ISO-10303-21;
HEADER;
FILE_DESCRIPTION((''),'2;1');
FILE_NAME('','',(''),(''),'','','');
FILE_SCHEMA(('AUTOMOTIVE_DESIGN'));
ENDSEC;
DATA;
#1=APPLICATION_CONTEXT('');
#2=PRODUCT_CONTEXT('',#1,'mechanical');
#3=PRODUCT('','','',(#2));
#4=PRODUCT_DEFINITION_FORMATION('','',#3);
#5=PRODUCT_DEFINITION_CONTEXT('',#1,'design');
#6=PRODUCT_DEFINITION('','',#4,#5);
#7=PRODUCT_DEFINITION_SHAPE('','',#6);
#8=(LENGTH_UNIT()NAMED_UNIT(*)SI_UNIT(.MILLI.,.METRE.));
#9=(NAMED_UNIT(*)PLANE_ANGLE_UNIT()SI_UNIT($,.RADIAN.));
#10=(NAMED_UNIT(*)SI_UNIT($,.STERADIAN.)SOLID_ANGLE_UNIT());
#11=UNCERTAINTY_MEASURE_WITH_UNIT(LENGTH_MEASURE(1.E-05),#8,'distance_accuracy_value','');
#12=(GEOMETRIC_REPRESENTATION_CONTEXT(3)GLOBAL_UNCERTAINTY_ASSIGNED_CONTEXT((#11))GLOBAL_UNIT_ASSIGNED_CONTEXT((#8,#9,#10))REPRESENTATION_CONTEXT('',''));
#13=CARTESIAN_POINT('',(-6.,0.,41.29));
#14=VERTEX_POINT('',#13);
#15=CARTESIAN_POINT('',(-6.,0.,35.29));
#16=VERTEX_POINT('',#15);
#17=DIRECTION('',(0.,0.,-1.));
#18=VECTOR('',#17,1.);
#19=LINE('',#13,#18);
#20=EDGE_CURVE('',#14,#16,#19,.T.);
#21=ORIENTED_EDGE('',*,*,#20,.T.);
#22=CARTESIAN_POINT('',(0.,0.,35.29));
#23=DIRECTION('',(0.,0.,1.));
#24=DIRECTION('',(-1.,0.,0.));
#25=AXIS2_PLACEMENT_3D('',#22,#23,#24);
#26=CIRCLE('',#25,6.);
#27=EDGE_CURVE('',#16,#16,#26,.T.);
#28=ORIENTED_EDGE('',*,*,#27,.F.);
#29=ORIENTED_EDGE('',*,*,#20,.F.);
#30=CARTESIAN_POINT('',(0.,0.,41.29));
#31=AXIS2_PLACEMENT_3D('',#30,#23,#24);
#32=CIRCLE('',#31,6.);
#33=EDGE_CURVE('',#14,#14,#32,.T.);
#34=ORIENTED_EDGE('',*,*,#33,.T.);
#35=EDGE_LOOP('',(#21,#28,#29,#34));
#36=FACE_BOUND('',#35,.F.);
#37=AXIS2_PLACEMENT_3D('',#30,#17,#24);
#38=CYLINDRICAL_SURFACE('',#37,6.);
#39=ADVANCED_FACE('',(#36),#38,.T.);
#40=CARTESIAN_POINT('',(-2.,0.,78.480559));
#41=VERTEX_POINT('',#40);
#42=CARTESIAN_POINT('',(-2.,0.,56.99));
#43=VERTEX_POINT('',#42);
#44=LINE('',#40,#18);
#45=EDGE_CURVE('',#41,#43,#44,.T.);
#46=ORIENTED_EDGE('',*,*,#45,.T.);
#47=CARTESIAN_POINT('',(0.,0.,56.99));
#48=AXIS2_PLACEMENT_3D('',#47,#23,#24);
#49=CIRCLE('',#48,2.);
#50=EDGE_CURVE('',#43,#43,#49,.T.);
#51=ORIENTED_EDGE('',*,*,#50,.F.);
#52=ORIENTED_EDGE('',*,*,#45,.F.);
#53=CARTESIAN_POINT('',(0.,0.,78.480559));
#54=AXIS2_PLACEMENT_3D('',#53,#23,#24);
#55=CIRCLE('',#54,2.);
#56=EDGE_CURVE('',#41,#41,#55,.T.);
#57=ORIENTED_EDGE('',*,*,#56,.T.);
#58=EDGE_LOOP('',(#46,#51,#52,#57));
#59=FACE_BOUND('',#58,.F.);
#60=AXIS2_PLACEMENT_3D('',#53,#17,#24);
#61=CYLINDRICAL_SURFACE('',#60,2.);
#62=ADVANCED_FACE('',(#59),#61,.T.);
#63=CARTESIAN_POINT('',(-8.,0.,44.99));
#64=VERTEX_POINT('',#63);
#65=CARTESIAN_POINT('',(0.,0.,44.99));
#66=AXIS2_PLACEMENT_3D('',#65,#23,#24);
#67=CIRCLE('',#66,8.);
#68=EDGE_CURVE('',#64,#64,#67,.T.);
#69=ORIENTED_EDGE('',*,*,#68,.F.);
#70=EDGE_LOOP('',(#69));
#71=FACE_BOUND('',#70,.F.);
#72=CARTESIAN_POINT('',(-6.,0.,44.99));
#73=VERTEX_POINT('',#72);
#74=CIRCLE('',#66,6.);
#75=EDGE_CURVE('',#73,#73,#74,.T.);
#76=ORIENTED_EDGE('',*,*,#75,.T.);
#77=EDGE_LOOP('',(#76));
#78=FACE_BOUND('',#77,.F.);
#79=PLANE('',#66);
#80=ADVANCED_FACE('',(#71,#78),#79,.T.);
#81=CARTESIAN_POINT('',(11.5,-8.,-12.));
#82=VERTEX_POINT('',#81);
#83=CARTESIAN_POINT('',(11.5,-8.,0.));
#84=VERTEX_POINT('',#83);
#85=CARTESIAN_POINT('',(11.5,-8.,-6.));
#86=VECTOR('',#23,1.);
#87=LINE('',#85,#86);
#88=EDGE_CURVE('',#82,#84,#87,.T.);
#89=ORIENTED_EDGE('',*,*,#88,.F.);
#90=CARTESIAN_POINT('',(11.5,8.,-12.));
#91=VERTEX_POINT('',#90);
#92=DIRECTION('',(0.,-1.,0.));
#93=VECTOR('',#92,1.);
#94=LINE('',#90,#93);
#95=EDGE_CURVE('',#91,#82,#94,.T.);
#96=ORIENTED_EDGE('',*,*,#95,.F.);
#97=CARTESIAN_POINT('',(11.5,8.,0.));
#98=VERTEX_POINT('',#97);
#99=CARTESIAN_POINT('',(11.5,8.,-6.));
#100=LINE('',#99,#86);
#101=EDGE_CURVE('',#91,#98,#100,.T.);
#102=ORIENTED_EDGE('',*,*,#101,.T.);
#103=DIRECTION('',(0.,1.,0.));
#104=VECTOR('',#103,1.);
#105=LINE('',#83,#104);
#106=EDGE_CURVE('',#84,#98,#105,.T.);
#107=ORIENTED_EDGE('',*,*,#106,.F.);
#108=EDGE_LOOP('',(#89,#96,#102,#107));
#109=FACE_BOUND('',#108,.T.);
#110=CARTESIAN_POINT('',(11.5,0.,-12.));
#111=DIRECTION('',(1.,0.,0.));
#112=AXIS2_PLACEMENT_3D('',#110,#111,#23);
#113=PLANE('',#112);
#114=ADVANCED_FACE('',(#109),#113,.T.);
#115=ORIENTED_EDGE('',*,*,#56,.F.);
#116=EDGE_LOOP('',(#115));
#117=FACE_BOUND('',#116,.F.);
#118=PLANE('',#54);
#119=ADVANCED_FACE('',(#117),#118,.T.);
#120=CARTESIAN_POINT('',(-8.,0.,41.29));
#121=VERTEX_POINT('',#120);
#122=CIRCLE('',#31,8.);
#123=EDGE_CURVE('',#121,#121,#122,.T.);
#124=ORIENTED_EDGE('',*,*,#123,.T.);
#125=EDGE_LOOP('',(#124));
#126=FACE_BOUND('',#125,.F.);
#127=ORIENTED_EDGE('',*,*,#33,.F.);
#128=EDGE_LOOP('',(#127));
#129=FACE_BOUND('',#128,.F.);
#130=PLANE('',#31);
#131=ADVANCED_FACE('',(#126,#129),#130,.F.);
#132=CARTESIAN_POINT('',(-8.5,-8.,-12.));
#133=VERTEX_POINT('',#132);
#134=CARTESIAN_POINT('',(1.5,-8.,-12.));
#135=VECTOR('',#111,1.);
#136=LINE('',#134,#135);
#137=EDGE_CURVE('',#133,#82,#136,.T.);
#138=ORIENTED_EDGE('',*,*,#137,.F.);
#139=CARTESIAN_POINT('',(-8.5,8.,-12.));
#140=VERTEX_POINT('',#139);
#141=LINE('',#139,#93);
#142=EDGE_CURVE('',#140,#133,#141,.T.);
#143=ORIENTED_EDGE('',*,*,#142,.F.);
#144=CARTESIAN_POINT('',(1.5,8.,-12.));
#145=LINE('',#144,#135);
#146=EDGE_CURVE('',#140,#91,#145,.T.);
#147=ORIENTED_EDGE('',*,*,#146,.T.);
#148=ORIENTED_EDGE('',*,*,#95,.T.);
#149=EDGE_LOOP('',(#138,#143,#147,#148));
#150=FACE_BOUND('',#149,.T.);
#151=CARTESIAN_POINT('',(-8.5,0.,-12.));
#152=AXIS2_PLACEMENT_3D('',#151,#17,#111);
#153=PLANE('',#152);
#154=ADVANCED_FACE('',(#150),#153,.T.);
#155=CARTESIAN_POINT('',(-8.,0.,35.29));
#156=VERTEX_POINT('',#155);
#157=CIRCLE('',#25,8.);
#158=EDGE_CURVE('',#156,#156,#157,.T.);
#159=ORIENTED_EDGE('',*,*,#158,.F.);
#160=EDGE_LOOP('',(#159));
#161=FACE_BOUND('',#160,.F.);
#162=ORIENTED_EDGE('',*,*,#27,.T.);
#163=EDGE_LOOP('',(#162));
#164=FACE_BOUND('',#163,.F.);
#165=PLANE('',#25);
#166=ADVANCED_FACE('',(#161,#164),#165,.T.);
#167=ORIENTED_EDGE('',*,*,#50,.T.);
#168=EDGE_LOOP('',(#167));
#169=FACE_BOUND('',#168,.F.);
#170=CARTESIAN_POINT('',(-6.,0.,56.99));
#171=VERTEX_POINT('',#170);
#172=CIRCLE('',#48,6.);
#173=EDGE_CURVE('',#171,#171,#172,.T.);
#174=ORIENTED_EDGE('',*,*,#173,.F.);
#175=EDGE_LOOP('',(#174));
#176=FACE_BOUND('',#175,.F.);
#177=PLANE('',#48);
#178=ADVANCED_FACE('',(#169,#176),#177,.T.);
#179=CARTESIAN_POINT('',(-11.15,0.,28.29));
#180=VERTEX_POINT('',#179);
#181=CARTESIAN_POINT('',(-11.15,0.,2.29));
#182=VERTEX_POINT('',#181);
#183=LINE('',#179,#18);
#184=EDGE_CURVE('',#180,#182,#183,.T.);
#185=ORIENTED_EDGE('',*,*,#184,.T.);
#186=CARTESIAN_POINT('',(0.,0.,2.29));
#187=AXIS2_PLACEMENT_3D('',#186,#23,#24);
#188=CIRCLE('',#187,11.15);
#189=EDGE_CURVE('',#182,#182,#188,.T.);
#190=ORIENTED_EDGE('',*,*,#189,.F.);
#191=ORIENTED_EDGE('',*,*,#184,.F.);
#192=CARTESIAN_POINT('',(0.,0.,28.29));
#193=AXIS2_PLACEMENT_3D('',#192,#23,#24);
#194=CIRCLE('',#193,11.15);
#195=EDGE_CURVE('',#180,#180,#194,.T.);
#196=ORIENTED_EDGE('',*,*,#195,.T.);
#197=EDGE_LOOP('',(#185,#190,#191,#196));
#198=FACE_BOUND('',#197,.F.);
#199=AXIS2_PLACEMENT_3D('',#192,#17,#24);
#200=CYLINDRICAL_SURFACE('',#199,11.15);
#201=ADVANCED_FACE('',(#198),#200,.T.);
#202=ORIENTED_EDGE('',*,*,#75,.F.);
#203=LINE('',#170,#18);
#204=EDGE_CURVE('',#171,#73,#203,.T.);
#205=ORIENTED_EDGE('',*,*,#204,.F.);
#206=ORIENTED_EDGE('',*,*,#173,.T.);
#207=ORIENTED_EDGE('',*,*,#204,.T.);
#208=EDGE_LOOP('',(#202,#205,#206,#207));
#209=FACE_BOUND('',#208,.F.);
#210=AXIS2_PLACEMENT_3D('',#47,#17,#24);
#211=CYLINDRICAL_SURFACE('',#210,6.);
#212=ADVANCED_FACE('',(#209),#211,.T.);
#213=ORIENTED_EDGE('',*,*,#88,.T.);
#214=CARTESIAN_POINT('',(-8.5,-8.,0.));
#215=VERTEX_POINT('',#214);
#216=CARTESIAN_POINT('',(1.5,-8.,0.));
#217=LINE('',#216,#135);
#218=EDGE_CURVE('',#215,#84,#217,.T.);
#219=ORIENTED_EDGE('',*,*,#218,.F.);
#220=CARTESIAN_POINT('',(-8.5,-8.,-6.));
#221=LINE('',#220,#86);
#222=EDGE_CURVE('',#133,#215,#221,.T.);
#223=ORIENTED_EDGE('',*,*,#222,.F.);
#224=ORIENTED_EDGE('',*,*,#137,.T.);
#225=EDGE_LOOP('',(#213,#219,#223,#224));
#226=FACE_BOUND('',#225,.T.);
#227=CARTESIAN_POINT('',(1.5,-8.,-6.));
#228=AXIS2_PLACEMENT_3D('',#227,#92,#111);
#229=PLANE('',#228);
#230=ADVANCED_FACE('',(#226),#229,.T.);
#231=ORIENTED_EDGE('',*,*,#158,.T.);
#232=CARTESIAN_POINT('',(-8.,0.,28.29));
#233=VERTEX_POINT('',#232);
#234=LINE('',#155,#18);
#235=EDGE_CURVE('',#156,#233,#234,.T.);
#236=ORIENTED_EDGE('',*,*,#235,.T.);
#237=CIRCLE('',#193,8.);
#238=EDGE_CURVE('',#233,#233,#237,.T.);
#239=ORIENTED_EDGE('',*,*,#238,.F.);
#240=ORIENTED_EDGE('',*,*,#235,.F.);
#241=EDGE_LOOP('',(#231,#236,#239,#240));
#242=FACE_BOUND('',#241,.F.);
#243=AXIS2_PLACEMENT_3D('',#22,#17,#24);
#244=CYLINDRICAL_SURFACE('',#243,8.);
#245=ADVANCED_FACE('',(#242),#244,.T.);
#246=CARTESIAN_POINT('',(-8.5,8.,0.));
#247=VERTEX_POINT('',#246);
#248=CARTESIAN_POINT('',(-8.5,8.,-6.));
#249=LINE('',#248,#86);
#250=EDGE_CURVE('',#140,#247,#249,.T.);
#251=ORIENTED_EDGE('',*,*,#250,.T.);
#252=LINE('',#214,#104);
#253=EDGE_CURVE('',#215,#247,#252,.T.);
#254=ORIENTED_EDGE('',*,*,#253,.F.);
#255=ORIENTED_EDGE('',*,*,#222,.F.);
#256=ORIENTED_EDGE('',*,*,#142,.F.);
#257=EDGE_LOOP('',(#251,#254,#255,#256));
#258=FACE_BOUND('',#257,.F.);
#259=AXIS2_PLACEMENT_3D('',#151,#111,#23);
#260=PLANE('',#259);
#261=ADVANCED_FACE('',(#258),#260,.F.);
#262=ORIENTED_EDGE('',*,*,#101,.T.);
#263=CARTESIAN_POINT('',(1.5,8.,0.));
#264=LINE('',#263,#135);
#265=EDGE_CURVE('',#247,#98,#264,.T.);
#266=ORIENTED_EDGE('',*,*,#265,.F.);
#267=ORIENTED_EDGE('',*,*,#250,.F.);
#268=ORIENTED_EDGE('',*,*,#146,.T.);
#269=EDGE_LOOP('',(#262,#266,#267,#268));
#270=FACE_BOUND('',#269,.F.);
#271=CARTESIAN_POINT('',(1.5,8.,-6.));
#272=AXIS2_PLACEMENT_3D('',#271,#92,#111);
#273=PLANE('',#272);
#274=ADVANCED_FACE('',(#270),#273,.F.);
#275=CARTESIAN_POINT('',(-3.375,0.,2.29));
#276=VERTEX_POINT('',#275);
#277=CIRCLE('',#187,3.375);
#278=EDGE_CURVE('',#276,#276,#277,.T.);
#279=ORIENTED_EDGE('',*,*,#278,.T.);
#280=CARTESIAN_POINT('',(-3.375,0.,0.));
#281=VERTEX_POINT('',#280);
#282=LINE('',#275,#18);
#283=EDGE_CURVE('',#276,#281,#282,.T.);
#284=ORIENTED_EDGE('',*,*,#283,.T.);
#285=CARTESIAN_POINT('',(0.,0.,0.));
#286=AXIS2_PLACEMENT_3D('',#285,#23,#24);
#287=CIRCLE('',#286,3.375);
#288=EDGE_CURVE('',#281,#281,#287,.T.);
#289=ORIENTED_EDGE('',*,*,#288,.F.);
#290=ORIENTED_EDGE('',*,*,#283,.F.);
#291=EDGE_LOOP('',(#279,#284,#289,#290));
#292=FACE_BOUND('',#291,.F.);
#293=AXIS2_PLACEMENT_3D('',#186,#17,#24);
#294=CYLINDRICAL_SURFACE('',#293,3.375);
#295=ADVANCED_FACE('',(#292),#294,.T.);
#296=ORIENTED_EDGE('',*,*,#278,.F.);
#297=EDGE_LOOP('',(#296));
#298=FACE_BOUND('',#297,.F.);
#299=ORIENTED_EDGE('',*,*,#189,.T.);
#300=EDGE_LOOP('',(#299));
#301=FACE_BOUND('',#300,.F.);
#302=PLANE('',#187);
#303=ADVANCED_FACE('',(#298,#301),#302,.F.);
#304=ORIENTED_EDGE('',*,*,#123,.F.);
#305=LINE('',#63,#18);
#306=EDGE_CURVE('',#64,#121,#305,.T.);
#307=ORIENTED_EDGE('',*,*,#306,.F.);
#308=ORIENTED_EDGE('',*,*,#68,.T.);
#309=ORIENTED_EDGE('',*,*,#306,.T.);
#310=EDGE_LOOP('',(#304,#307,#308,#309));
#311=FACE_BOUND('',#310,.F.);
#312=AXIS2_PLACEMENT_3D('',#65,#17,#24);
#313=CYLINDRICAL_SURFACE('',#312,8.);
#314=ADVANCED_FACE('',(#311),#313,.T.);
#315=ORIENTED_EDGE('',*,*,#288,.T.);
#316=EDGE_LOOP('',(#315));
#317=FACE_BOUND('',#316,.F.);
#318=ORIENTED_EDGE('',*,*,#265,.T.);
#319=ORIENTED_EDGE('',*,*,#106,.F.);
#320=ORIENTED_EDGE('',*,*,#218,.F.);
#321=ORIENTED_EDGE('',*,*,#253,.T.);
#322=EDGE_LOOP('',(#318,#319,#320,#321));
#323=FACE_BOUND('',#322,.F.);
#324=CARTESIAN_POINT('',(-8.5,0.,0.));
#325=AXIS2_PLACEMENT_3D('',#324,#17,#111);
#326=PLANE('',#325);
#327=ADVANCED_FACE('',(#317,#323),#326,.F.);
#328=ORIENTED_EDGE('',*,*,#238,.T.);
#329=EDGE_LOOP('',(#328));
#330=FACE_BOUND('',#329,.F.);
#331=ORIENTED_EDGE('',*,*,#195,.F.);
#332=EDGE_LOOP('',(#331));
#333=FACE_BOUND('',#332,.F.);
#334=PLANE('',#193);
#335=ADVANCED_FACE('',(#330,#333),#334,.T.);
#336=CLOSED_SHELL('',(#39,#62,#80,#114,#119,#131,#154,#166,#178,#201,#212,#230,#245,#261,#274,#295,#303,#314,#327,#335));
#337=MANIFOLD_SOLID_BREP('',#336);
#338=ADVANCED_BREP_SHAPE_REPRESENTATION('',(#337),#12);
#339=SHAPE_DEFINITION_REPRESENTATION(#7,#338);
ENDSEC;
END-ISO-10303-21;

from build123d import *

# Parameters (mm, degrees)
F2_W     = 20
F2_H     = 12
F3_DEPTH = 8


with BuildPart() as f1:
    # F0 (on Front) → F1 (revolve)
    with BuildSketch(Plane.XZ):
        Polygon((-3.375, 0), (0, 0), (0, 78.4805588418), (-2, 78.4805588418), (-2, 56.99), (-6, 56.99), (-6, 44.99), (-8, 44.99), (-8, 41.29), (-6, 41.29), (-6, 35.29), (-8, 35.29), (-8, 28.29), (-11.15, 28.29), (-11.15, 2.29), (-3.375, 2.29), align=None)
    revolve(axis=Axis((0, 0, 37.5557746226), (0, 0, 1)))

    # F2 (on Front) → F3 (join, symmetric)
    with BuildSketch(Plane.XZ):
        with Locations((1.5, -6)):
            Rectangle(F2_W, F2_H)
    extrude(amount=F3_DEPTH, both=True)


solid = f1.part
